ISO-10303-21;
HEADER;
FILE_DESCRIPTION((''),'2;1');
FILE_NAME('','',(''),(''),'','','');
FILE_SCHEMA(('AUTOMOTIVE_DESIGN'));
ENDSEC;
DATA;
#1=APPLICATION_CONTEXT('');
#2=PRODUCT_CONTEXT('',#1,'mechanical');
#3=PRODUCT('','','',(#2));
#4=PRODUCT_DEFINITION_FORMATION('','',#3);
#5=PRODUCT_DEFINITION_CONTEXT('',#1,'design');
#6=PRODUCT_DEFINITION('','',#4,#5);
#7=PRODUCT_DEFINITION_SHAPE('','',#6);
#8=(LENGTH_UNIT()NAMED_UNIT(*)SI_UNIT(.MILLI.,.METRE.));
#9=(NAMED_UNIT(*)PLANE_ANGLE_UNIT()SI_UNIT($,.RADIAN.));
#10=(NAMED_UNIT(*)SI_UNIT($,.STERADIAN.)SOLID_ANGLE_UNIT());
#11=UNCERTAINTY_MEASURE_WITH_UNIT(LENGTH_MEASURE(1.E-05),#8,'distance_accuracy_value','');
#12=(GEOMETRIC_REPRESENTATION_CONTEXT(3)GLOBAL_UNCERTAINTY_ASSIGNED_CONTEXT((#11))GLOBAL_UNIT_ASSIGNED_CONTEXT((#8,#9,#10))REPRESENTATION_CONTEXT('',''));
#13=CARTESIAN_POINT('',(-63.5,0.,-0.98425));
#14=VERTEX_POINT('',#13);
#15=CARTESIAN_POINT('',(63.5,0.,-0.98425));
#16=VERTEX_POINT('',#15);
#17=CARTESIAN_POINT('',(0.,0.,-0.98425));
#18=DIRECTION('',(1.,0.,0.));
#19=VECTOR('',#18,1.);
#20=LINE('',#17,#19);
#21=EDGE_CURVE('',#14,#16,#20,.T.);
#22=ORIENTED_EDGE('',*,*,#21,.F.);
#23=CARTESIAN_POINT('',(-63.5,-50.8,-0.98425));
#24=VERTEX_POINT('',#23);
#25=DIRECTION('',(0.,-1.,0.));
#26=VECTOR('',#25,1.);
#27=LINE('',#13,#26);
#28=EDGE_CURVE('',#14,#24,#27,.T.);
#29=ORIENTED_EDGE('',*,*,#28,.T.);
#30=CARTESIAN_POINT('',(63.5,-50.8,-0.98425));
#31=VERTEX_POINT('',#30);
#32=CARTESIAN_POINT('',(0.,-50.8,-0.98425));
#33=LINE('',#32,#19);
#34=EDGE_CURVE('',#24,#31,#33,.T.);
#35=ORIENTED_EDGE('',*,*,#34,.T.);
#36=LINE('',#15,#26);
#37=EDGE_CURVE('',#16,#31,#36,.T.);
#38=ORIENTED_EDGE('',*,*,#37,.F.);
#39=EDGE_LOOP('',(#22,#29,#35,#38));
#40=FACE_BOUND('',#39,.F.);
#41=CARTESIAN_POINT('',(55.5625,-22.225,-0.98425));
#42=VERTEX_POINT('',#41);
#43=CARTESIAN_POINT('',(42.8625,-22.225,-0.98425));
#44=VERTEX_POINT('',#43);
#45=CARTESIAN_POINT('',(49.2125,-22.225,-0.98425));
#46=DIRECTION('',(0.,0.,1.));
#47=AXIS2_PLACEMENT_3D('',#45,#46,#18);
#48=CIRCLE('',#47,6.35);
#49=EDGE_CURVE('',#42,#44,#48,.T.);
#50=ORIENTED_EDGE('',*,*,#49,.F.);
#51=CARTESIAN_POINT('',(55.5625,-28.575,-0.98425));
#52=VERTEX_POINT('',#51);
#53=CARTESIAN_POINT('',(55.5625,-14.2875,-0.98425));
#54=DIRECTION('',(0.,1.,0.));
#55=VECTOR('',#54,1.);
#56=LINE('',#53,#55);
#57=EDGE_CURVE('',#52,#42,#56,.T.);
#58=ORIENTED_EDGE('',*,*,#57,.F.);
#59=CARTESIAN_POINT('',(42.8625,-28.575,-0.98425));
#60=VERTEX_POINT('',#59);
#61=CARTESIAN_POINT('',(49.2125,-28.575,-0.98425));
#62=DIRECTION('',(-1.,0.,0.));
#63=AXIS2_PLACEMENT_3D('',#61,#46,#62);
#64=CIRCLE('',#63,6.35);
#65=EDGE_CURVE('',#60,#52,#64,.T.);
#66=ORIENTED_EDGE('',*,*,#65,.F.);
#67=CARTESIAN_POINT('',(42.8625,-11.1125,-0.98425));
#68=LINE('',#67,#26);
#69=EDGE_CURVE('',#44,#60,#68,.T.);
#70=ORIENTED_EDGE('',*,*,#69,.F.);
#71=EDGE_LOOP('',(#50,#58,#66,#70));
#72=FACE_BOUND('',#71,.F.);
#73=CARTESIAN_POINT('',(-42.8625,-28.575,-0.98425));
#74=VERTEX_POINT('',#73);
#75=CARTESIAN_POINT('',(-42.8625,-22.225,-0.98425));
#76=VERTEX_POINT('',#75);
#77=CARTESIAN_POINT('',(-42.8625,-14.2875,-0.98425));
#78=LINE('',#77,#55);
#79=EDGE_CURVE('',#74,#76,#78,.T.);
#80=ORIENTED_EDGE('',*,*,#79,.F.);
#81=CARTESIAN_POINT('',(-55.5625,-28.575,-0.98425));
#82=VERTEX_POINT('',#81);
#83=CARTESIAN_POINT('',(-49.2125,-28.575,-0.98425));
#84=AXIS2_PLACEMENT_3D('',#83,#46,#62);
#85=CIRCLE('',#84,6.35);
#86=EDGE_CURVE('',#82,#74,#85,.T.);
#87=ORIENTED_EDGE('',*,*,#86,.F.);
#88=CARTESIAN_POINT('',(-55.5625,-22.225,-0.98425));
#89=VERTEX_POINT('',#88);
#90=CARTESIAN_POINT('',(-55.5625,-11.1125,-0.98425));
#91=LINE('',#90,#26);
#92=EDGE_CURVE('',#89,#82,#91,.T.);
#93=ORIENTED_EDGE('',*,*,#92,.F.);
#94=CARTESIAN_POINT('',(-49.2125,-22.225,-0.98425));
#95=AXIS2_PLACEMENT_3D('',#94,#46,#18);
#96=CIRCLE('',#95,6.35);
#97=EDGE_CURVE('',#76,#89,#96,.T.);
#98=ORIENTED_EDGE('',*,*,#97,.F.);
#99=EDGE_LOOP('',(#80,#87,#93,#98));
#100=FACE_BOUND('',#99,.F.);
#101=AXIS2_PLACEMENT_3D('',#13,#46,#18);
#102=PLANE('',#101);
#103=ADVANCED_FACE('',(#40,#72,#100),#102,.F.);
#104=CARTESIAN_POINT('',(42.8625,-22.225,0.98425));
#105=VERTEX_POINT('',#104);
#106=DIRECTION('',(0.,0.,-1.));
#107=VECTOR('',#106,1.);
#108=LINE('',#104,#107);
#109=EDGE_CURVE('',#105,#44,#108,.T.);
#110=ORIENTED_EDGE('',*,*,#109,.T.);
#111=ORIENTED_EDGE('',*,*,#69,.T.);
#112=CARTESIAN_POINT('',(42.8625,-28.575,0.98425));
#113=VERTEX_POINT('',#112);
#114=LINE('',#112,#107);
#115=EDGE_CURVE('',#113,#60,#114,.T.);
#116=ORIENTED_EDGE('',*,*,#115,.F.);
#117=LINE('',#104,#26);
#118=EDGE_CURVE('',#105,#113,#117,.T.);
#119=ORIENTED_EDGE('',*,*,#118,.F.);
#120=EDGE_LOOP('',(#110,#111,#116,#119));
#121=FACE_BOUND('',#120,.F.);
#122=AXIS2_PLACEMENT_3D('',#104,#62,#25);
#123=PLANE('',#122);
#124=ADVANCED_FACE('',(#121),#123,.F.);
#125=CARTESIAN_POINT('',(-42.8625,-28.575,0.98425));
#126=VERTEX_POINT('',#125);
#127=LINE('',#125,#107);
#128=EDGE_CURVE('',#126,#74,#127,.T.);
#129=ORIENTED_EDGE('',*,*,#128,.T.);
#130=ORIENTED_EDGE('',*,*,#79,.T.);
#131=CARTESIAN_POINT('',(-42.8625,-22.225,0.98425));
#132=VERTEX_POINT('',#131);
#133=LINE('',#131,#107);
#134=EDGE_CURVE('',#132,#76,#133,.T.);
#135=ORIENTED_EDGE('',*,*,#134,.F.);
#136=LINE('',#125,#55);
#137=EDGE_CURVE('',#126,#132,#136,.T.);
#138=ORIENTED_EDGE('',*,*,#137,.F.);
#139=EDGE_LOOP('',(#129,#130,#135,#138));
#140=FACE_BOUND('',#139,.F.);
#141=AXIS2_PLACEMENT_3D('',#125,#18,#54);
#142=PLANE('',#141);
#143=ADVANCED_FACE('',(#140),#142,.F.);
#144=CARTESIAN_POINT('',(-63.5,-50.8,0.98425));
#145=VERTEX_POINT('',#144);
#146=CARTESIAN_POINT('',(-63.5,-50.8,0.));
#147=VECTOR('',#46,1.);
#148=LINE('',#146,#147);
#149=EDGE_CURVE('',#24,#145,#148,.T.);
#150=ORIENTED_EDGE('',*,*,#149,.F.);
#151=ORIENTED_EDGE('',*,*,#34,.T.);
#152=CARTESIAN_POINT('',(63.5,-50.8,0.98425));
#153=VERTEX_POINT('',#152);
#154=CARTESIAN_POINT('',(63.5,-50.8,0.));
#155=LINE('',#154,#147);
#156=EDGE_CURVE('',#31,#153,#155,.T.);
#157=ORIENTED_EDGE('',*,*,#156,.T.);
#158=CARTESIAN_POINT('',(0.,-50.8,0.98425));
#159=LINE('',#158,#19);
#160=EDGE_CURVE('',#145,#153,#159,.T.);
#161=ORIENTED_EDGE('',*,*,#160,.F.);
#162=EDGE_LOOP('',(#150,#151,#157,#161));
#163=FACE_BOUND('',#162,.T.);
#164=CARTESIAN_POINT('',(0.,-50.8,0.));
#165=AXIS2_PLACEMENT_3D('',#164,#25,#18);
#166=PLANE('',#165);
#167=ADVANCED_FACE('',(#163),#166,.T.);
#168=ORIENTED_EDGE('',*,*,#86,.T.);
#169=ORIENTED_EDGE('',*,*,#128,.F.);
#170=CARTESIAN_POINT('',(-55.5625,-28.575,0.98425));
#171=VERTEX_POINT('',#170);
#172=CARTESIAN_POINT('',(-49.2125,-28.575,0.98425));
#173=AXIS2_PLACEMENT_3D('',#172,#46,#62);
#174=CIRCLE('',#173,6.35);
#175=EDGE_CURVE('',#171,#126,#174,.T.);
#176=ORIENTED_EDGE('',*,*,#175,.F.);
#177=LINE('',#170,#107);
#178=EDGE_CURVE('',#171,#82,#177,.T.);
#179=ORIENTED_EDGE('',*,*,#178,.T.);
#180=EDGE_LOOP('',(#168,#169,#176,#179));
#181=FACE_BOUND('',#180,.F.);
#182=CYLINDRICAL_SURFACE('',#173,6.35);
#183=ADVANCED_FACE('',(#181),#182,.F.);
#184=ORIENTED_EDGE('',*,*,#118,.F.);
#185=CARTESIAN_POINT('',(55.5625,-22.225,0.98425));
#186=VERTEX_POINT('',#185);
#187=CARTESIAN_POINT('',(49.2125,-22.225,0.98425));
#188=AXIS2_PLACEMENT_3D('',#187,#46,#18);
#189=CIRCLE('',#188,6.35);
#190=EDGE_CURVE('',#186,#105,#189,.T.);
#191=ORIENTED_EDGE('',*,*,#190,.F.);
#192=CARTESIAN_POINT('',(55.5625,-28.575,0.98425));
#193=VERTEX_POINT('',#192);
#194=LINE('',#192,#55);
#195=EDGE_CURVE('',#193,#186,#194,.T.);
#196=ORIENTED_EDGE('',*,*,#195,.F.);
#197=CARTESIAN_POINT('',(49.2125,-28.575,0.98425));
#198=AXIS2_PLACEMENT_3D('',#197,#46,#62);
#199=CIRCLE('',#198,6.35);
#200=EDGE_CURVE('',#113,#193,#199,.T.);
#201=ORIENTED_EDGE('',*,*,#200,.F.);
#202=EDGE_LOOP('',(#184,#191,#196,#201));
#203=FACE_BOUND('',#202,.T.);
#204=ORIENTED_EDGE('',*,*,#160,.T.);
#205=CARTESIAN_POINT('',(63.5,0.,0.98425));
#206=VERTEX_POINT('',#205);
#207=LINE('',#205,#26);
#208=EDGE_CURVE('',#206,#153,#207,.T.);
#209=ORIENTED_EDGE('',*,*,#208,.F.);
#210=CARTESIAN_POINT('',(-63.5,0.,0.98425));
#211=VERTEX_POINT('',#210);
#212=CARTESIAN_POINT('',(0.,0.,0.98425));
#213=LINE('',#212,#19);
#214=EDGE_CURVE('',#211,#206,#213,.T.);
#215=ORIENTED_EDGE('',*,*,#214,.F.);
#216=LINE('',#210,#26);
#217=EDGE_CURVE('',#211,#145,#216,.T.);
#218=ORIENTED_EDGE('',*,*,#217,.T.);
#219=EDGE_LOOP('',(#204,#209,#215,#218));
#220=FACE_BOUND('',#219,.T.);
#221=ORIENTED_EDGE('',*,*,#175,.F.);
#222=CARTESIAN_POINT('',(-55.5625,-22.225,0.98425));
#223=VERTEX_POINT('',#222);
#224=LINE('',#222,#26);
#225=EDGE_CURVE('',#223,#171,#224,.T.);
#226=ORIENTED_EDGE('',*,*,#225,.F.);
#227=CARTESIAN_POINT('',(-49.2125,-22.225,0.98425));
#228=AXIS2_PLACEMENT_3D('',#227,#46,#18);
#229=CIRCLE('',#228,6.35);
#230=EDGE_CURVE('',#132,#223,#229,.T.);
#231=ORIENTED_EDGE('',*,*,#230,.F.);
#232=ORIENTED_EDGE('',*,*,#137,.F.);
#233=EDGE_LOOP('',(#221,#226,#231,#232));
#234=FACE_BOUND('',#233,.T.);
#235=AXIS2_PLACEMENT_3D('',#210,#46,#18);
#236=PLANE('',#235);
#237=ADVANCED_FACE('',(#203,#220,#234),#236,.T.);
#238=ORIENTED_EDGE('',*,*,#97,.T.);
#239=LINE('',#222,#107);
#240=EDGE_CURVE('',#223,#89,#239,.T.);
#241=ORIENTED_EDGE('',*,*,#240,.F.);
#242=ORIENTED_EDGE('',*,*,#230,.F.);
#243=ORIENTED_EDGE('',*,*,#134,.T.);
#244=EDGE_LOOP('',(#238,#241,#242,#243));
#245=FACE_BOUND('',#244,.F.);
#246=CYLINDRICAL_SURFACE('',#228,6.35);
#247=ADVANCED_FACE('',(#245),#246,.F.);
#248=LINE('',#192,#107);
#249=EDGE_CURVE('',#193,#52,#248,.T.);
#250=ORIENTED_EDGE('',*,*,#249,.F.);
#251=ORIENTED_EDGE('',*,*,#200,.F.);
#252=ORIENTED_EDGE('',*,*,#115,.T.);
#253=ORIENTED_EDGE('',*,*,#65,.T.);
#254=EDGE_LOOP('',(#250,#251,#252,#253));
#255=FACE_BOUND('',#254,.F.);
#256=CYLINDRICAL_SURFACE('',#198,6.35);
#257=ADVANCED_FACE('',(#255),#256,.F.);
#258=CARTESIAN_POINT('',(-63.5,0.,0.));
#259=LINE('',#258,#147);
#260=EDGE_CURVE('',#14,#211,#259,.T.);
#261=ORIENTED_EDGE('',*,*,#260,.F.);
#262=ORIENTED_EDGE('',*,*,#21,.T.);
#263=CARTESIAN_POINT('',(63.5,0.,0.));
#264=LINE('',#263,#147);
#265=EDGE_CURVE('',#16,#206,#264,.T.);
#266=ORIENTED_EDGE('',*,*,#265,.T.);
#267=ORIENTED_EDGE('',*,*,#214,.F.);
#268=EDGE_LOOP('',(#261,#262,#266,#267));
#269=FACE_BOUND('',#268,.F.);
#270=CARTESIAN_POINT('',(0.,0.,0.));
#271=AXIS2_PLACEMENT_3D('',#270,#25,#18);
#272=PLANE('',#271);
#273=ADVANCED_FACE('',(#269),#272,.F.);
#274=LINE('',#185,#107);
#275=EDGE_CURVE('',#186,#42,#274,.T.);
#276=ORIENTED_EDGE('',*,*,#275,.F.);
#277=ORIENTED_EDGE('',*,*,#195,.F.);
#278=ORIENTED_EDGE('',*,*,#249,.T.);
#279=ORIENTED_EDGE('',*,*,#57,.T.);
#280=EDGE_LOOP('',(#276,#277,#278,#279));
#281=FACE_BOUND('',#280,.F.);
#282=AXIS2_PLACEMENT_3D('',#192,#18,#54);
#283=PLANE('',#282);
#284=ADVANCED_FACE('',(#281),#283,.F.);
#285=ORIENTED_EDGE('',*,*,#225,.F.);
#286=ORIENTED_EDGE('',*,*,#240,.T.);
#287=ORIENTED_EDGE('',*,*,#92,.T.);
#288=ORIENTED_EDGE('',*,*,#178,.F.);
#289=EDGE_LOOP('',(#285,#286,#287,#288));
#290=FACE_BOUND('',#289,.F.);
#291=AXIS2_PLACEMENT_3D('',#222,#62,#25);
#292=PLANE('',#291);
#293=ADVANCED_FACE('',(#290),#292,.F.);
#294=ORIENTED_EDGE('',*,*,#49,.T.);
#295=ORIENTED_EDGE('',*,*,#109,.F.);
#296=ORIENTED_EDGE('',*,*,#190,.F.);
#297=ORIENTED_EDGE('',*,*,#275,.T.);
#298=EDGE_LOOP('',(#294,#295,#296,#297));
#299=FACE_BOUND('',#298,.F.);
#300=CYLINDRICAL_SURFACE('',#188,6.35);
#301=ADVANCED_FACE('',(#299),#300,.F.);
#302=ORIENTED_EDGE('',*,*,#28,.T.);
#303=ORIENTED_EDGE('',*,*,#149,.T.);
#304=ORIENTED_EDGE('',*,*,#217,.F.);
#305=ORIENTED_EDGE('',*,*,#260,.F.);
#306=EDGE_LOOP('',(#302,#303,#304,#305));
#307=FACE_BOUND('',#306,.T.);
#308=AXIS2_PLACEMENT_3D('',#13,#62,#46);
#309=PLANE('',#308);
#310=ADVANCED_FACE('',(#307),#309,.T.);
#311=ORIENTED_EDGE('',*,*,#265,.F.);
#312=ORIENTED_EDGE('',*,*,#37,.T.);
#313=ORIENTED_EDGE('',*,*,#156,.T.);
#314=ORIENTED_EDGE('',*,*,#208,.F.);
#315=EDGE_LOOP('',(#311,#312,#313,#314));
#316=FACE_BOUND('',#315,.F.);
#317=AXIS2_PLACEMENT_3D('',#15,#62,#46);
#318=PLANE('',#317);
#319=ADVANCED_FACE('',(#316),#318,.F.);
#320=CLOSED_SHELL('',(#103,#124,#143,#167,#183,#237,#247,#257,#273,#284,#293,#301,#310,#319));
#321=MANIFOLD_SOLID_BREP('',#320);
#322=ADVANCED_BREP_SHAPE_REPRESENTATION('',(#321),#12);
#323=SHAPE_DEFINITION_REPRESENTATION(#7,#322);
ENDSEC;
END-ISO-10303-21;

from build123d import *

# Parameters (mm, degrees)
F0_W     = 127
F0_H     = 1.9685
F1_DEPTH = 50.8
F3_DEPTH = 25.4


with BuildPart() as f1:
    # F0 (on Front) → F1 (new body)
    with BuildSketch(Plane.XZ):
        Rectangle(F0_W, F0_H)
    extrude(amount=F1_DEPTH)

    # F2 (on face) → F3 (cut)
    with BuildSketch(Plane.XY.offset(0.98425)):
        with BuildLine():
            ThreePointArc((-42.8625, -22.225), (-49.2125, -15.875), (-55.5625, -22.225))
            Line((-55.5625, -22.225), (-55.5625, -28.575))
            ThreePointArc((-55.5625, -28.575), (-49.2125, -34.925), (-42.8625, -28.575))
            Line((-42.8625, -28.575), (-42.8625, -22.225))
        make_face()
        with BuildLine():
            Line((55.5625, -28.575), (55.5625, -22.225))
            ThreePointArc((55.5625, -22.225), (49.2125, -15.875), (42.8625, -22.225))
            Line((42.8625, -22.225), (42.8625, -28.575))
            ThreePointArc((42.8625, -28.575), (49.2125, -34.925), (55.5625, -28.575))
        make_face()
    extrude(amount=-F3_DEPTH, mode=Mode.SUBTRACT)


solid = f1.part
